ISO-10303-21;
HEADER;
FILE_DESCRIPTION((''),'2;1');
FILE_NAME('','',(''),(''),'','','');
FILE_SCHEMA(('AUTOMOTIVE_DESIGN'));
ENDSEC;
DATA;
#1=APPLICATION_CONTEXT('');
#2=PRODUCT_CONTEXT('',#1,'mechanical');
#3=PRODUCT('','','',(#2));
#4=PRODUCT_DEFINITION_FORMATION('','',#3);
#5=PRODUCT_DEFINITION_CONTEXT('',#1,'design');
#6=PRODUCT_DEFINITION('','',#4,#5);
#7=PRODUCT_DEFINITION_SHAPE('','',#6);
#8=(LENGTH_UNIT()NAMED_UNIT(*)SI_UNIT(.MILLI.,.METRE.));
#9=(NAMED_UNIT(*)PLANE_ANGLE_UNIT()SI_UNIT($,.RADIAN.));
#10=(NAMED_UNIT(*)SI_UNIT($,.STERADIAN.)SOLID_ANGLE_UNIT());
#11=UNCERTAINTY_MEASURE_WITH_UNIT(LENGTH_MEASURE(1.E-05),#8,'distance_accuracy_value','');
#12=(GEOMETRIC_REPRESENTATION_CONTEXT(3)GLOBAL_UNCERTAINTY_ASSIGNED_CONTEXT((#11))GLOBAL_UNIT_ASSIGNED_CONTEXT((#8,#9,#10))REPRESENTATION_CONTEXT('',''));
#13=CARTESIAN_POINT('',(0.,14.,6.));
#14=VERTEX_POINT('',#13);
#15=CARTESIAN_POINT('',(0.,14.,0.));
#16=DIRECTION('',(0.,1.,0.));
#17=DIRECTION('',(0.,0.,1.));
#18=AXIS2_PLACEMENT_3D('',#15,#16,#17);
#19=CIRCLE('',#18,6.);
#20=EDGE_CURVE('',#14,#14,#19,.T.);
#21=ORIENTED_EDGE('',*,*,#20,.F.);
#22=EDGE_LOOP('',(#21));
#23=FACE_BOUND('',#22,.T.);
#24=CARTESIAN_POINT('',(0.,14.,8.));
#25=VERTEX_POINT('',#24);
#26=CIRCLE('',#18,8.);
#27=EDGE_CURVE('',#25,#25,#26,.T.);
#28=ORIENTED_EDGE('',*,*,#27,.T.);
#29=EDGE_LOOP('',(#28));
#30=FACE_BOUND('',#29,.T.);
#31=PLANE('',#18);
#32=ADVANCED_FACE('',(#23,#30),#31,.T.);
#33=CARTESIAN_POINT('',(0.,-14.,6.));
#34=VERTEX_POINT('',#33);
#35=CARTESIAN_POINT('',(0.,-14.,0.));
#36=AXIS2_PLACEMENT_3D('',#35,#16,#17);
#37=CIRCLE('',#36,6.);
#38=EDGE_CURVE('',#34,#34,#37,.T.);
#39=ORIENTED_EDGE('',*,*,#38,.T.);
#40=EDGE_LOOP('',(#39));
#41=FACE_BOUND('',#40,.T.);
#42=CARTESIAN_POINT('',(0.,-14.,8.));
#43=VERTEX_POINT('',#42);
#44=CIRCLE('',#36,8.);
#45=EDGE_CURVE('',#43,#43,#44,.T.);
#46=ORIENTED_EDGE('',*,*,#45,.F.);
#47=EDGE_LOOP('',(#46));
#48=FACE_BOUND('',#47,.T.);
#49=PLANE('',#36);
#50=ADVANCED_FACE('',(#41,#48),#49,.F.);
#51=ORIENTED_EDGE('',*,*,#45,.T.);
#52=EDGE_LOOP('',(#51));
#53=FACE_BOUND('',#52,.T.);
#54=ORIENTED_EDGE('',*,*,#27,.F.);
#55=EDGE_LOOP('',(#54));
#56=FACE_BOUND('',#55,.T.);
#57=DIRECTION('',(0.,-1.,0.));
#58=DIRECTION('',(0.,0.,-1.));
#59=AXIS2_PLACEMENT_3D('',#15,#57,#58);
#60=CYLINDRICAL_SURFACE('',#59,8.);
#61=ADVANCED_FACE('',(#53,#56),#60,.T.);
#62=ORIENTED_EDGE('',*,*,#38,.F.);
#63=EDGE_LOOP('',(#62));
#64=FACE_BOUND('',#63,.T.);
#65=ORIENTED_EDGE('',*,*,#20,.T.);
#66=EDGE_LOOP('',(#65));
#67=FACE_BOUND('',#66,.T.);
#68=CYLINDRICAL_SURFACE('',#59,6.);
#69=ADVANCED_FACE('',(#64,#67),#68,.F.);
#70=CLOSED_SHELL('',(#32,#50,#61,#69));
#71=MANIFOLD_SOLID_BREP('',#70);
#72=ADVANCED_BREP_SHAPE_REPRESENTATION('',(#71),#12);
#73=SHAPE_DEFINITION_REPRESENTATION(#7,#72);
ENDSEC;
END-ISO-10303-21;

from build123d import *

# Parameters (mm, degrees)
SKETCH2_R           = 8
SKETCH2_R_2         = 6
BOSS_EXTRUDE1_DEPTH = 14


with BuildPart() as part:
    # Sketch2 → Boss-Extrude1 (new, symmetric)
    with BuildSketch(Plane(origin=(0, 0, 0), x_dir=(1, 0, 0), z_dir=(0, 1, 0))):
        with Locations(Location((0, 0, 0), (0, 0, 270))):
            Circle(SKETCH2_R)
        with Locations(Location((0, 0, 0), (0, 0, 270))):
            Circle(SKETCH2_R_2, mode=Mode.SUBTRACT)
    extrude(amount=BOSS_EXTRUDE1_DEPTH, both=True)


solid = part.part
